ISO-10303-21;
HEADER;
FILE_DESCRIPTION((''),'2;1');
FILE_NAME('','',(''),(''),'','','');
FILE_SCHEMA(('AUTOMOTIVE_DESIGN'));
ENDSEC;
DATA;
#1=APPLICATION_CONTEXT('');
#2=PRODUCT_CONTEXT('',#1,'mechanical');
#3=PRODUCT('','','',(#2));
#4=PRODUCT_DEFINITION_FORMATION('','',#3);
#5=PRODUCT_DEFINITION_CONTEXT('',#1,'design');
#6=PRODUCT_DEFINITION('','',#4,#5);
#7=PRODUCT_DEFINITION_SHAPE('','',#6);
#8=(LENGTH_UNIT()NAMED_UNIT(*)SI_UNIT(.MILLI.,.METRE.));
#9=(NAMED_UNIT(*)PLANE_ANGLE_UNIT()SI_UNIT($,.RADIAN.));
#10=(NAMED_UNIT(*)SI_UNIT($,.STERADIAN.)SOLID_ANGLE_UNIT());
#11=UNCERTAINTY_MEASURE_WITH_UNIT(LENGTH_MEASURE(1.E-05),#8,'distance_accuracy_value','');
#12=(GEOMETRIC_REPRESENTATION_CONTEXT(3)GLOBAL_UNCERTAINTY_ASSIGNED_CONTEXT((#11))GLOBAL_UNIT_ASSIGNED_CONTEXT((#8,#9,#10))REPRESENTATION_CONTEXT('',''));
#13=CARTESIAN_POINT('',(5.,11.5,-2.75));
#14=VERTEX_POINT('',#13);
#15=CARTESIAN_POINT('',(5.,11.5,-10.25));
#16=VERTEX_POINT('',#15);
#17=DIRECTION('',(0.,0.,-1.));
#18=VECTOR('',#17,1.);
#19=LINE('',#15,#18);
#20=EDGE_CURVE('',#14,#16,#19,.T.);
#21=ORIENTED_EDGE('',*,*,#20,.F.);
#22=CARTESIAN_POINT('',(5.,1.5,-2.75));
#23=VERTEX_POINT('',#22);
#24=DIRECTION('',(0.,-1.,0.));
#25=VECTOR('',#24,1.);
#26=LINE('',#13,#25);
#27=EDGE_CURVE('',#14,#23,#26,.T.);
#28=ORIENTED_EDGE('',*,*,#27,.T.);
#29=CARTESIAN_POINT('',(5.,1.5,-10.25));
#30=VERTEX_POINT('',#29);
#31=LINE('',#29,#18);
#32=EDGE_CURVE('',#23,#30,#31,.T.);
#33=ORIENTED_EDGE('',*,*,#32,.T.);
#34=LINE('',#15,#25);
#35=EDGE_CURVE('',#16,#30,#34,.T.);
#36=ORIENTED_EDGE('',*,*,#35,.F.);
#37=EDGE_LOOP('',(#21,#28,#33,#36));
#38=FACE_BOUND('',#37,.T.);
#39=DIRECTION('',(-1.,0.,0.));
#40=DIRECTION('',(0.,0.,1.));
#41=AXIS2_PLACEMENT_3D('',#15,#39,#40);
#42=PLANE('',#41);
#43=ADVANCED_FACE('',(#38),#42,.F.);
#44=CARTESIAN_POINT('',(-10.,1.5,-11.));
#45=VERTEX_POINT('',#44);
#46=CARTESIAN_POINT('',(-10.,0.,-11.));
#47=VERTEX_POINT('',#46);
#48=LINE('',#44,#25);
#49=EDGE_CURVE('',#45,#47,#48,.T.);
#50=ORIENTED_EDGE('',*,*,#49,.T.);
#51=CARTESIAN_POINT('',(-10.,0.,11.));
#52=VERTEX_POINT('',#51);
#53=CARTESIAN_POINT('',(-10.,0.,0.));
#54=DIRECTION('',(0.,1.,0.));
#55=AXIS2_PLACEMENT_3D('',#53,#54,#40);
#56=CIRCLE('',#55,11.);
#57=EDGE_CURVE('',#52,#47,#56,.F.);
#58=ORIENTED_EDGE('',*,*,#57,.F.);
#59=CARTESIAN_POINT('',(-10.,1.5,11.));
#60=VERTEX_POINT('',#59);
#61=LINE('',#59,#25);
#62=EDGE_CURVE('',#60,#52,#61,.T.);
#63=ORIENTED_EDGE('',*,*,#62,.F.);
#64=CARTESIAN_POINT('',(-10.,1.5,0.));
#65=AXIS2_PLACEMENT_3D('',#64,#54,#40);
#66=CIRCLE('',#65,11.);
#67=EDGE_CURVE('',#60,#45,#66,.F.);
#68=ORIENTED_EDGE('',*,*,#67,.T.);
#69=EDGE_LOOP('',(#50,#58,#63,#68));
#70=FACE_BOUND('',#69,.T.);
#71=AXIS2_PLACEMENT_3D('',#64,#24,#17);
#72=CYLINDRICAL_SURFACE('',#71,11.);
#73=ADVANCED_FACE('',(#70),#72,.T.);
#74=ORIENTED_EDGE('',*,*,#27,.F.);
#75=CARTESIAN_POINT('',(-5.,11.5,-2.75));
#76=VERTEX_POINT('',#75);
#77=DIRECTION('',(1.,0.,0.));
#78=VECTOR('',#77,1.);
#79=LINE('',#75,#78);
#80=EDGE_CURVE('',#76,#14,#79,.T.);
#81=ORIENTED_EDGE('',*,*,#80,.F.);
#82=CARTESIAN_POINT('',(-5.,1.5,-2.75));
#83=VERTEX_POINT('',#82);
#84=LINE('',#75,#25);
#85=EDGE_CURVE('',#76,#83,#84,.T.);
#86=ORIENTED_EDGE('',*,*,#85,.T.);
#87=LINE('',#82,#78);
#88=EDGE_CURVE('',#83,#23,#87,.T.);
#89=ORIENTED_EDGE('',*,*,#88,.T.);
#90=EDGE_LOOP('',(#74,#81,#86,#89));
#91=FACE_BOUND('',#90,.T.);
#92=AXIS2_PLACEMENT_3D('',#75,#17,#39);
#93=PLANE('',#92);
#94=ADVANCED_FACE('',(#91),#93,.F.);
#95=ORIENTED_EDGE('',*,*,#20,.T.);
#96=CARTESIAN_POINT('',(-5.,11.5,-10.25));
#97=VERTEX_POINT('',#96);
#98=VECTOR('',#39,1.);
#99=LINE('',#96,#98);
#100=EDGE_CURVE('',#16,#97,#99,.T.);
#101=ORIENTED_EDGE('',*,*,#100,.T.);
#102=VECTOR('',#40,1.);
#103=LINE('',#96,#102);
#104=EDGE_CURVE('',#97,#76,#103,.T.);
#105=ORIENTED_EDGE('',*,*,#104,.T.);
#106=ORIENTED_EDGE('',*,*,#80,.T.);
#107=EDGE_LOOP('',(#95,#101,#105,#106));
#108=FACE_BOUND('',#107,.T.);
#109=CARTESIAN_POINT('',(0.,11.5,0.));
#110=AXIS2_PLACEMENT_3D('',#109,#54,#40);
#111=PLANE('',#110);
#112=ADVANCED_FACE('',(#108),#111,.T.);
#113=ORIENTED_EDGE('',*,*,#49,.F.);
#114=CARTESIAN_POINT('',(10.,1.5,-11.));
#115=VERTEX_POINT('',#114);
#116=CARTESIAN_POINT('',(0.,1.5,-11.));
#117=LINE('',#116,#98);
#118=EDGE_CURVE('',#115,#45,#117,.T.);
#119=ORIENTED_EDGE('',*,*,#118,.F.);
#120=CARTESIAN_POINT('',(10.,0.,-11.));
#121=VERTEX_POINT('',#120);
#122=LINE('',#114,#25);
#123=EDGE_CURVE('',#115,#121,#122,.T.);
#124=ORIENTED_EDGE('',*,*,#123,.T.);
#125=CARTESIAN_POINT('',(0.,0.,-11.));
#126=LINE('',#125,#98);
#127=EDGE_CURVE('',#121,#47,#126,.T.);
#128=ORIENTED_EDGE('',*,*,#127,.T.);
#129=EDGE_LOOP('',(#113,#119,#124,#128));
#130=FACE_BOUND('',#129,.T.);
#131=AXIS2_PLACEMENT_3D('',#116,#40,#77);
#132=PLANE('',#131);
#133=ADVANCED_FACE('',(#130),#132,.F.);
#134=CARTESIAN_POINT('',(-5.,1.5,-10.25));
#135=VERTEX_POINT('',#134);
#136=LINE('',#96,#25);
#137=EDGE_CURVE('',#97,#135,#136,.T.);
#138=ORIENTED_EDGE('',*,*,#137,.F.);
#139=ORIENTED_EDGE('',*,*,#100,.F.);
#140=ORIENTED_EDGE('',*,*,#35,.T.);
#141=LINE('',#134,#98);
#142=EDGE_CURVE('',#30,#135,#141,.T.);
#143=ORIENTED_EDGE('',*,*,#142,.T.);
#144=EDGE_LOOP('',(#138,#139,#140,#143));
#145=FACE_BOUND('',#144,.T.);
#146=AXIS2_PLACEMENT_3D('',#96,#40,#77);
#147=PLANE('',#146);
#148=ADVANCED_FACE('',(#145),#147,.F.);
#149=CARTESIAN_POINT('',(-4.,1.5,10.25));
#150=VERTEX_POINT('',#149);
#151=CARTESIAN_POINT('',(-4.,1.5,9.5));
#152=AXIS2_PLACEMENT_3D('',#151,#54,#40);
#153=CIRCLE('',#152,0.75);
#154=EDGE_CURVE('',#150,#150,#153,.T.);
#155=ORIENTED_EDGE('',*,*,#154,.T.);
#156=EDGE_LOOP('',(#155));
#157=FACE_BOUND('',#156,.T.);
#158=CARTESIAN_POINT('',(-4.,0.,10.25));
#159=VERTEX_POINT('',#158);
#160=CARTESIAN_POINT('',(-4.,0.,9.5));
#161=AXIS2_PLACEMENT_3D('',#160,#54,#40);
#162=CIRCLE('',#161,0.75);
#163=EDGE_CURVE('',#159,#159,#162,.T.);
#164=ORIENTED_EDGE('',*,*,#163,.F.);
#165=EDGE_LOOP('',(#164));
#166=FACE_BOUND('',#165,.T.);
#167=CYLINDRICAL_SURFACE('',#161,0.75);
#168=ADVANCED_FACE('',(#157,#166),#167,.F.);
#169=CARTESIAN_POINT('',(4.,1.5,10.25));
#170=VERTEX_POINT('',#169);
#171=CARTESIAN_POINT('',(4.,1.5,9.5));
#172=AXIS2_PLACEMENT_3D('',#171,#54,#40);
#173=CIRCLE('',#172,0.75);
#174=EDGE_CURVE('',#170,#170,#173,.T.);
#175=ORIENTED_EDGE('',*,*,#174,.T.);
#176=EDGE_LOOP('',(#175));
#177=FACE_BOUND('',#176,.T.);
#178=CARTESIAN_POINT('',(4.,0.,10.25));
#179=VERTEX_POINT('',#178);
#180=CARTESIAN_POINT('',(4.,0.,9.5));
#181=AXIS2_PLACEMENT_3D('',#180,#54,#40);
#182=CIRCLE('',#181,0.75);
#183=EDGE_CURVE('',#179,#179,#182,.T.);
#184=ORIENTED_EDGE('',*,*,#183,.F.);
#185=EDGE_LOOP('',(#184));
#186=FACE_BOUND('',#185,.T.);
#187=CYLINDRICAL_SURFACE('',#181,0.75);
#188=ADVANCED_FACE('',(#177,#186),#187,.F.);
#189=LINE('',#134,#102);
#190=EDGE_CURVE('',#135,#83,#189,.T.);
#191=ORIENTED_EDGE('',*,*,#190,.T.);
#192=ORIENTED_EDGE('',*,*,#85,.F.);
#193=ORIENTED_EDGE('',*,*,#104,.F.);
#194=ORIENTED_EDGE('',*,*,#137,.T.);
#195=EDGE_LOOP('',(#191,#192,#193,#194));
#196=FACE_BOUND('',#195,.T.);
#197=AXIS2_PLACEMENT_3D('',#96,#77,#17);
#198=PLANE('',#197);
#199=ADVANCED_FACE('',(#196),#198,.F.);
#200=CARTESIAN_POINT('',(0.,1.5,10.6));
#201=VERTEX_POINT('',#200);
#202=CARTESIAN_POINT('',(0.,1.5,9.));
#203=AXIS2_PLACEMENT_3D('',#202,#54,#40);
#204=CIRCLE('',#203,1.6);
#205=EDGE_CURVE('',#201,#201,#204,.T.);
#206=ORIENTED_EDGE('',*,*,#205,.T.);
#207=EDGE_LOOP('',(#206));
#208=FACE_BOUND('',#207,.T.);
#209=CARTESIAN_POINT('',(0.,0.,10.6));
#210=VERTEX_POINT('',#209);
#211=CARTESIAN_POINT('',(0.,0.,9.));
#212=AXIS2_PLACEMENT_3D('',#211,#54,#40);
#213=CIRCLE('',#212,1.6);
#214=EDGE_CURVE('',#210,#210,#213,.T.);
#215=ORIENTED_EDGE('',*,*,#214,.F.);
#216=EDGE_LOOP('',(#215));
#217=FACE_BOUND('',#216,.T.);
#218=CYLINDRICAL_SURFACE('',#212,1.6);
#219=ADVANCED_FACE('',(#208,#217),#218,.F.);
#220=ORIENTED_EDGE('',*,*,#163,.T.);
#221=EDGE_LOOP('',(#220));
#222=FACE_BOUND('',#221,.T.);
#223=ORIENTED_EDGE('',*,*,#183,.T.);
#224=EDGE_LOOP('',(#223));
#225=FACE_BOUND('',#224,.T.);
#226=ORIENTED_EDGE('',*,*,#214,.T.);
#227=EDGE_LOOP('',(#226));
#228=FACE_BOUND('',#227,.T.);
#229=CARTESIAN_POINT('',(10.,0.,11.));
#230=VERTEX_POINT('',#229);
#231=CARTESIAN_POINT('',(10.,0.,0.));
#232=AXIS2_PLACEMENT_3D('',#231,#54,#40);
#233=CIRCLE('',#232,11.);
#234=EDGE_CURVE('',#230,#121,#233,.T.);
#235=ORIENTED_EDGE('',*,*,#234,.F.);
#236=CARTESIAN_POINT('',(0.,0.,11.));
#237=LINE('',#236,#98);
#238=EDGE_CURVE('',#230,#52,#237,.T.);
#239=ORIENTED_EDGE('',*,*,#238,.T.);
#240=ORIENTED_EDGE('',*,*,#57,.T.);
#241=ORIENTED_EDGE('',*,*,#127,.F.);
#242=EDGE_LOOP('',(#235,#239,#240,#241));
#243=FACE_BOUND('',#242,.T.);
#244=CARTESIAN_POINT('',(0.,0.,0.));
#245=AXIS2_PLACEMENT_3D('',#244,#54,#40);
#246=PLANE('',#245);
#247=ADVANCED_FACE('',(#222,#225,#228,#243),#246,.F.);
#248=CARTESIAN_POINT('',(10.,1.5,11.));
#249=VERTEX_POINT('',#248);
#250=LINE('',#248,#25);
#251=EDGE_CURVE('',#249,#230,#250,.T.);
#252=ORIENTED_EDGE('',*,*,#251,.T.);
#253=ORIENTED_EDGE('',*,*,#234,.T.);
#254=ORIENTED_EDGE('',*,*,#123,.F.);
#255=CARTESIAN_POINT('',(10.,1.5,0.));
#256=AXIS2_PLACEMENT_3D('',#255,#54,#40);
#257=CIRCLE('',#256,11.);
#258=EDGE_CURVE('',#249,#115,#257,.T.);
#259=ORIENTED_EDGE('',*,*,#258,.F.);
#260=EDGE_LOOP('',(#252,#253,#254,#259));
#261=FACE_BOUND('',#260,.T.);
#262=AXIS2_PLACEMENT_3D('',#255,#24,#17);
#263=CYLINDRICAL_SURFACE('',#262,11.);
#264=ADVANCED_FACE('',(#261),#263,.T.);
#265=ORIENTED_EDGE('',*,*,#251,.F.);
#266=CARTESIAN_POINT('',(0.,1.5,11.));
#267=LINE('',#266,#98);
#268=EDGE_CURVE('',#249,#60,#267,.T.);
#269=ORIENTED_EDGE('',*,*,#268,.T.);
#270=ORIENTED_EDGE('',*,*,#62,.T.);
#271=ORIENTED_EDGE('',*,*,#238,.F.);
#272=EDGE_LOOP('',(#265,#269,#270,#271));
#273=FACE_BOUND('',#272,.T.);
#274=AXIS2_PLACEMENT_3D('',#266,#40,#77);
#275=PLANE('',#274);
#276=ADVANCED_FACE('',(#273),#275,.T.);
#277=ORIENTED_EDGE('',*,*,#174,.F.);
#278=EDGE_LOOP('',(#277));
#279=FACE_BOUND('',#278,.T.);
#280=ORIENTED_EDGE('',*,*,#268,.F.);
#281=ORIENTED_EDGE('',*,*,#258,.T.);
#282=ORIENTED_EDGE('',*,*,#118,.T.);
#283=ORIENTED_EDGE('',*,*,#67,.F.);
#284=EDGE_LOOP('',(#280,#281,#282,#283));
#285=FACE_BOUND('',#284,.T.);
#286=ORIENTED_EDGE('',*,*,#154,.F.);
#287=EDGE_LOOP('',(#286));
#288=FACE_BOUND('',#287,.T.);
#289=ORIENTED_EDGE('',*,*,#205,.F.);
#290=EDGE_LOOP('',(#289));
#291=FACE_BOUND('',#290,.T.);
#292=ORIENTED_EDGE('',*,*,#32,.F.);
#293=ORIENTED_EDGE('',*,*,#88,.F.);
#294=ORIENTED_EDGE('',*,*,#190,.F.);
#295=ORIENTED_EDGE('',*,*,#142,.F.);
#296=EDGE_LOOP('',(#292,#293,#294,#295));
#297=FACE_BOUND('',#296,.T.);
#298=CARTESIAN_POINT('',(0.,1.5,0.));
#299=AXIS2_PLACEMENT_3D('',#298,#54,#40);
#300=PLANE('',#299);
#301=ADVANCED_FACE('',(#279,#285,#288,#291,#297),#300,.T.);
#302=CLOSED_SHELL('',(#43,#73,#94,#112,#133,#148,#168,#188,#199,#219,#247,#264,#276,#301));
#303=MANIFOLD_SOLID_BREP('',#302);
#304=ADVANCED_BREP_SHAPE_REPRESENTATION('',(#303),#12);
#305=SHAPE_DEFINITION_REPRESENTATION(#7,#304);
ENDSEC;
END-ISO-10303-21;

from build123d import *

# Parameters (mm, degrees)
BOSS_EXTRUDE1_DEPTH = 1.5
SKETCH2_W           = 10
SKETCH2_H           = 7.5
BOSS_EXTRUDE2_DEPTH = 10
SKETCH3_R           = 1.6
SKETCH3_R_2         = 0.75
CUT_EXTRUDE1_DEPTH  = 2.5


with BuildPart() as part:
    # Sketch1 → Boss-Extrude1 (new body)
    with BuildSketch(Plane(origin=(0, 0, 0), x_dir=(1, 0, 0), z_dir=(0, 1, 0))):
        with BuildLine():
            Line((-21, 0), (-10, 0))
            Line((-10, 0), (0, 0))
            Line((0, 0), (0, 11))
            Line((0, 11), (-10, 11))
            ThreePointArc((-10, 11), (-17.778174593, 7.778174593), (-21, 0))
        make_face()
        with BuildLine():
            Line((0, 0), (-10, 0))
            Line((-10, 0), (-21, 0))
            ThreePointArc((-21, 0), (-17.778174593, -7.778174593), (-10, -11))
            Line((-10, -11), (0, -11))
            Line((0, -11), (0, 0))
        make_face()
        with BuildLine():
            Line((10, 0), (0, 0))
            Line((0, 0), (0, -11))
            Line((0, -11), (10, -11))
            ThreePointArc((10, -11), (17.778174593, -7.778174593), (21, 0))
            Line((21, 0), (10, 0))
        make_face()
        with BuildLine():
            Line((0, 11), (0, 0))
            Line((0, 0), (10, 0))
            Line((10, 0), (21, 0))
            ThreePointArc((21, 0), (17.778174593, 7.778174593), (10, 11))
            Line((10, 11), (0, 11))
        make_face()
    extrude(amount=BOSS_EXTRUDE1_DEPTH)

    # Sketch2 → Boss-Extrude2 (add)
    with BuildSketch(Plane(origin=(0, 1.5, 0), x_dir=(1, 0, 0), z_dir=(0, 1, 0))):
        with Locations((0, 6.5)):
            Rectangle(SKETCH2_W, SKETCH2_H)
    extrude(amount=BOSS_EXTRUDE2_DEPTH)

    # Sketch3 → Cut-Extrude1 (cut, through all)
    with BuildSketch(Plane(origin=(0, 1.5, 0), x_dir=(1, 0, 0), z_dir=(0, 1, 0))):
        with Locations((0, -9)):
            Circle(SKETCH3_R)
        with Locations((-4, -9.5)):
            Circle(SKETCH3_R_2)
        with Locations((4, -9.5)):
            Circle(SKETCH3_R_2)
    extrude(amount=-CUT_EXTRUDE1_DEPTH, mode=Mode.SUBTRACT)


solid = part.part
